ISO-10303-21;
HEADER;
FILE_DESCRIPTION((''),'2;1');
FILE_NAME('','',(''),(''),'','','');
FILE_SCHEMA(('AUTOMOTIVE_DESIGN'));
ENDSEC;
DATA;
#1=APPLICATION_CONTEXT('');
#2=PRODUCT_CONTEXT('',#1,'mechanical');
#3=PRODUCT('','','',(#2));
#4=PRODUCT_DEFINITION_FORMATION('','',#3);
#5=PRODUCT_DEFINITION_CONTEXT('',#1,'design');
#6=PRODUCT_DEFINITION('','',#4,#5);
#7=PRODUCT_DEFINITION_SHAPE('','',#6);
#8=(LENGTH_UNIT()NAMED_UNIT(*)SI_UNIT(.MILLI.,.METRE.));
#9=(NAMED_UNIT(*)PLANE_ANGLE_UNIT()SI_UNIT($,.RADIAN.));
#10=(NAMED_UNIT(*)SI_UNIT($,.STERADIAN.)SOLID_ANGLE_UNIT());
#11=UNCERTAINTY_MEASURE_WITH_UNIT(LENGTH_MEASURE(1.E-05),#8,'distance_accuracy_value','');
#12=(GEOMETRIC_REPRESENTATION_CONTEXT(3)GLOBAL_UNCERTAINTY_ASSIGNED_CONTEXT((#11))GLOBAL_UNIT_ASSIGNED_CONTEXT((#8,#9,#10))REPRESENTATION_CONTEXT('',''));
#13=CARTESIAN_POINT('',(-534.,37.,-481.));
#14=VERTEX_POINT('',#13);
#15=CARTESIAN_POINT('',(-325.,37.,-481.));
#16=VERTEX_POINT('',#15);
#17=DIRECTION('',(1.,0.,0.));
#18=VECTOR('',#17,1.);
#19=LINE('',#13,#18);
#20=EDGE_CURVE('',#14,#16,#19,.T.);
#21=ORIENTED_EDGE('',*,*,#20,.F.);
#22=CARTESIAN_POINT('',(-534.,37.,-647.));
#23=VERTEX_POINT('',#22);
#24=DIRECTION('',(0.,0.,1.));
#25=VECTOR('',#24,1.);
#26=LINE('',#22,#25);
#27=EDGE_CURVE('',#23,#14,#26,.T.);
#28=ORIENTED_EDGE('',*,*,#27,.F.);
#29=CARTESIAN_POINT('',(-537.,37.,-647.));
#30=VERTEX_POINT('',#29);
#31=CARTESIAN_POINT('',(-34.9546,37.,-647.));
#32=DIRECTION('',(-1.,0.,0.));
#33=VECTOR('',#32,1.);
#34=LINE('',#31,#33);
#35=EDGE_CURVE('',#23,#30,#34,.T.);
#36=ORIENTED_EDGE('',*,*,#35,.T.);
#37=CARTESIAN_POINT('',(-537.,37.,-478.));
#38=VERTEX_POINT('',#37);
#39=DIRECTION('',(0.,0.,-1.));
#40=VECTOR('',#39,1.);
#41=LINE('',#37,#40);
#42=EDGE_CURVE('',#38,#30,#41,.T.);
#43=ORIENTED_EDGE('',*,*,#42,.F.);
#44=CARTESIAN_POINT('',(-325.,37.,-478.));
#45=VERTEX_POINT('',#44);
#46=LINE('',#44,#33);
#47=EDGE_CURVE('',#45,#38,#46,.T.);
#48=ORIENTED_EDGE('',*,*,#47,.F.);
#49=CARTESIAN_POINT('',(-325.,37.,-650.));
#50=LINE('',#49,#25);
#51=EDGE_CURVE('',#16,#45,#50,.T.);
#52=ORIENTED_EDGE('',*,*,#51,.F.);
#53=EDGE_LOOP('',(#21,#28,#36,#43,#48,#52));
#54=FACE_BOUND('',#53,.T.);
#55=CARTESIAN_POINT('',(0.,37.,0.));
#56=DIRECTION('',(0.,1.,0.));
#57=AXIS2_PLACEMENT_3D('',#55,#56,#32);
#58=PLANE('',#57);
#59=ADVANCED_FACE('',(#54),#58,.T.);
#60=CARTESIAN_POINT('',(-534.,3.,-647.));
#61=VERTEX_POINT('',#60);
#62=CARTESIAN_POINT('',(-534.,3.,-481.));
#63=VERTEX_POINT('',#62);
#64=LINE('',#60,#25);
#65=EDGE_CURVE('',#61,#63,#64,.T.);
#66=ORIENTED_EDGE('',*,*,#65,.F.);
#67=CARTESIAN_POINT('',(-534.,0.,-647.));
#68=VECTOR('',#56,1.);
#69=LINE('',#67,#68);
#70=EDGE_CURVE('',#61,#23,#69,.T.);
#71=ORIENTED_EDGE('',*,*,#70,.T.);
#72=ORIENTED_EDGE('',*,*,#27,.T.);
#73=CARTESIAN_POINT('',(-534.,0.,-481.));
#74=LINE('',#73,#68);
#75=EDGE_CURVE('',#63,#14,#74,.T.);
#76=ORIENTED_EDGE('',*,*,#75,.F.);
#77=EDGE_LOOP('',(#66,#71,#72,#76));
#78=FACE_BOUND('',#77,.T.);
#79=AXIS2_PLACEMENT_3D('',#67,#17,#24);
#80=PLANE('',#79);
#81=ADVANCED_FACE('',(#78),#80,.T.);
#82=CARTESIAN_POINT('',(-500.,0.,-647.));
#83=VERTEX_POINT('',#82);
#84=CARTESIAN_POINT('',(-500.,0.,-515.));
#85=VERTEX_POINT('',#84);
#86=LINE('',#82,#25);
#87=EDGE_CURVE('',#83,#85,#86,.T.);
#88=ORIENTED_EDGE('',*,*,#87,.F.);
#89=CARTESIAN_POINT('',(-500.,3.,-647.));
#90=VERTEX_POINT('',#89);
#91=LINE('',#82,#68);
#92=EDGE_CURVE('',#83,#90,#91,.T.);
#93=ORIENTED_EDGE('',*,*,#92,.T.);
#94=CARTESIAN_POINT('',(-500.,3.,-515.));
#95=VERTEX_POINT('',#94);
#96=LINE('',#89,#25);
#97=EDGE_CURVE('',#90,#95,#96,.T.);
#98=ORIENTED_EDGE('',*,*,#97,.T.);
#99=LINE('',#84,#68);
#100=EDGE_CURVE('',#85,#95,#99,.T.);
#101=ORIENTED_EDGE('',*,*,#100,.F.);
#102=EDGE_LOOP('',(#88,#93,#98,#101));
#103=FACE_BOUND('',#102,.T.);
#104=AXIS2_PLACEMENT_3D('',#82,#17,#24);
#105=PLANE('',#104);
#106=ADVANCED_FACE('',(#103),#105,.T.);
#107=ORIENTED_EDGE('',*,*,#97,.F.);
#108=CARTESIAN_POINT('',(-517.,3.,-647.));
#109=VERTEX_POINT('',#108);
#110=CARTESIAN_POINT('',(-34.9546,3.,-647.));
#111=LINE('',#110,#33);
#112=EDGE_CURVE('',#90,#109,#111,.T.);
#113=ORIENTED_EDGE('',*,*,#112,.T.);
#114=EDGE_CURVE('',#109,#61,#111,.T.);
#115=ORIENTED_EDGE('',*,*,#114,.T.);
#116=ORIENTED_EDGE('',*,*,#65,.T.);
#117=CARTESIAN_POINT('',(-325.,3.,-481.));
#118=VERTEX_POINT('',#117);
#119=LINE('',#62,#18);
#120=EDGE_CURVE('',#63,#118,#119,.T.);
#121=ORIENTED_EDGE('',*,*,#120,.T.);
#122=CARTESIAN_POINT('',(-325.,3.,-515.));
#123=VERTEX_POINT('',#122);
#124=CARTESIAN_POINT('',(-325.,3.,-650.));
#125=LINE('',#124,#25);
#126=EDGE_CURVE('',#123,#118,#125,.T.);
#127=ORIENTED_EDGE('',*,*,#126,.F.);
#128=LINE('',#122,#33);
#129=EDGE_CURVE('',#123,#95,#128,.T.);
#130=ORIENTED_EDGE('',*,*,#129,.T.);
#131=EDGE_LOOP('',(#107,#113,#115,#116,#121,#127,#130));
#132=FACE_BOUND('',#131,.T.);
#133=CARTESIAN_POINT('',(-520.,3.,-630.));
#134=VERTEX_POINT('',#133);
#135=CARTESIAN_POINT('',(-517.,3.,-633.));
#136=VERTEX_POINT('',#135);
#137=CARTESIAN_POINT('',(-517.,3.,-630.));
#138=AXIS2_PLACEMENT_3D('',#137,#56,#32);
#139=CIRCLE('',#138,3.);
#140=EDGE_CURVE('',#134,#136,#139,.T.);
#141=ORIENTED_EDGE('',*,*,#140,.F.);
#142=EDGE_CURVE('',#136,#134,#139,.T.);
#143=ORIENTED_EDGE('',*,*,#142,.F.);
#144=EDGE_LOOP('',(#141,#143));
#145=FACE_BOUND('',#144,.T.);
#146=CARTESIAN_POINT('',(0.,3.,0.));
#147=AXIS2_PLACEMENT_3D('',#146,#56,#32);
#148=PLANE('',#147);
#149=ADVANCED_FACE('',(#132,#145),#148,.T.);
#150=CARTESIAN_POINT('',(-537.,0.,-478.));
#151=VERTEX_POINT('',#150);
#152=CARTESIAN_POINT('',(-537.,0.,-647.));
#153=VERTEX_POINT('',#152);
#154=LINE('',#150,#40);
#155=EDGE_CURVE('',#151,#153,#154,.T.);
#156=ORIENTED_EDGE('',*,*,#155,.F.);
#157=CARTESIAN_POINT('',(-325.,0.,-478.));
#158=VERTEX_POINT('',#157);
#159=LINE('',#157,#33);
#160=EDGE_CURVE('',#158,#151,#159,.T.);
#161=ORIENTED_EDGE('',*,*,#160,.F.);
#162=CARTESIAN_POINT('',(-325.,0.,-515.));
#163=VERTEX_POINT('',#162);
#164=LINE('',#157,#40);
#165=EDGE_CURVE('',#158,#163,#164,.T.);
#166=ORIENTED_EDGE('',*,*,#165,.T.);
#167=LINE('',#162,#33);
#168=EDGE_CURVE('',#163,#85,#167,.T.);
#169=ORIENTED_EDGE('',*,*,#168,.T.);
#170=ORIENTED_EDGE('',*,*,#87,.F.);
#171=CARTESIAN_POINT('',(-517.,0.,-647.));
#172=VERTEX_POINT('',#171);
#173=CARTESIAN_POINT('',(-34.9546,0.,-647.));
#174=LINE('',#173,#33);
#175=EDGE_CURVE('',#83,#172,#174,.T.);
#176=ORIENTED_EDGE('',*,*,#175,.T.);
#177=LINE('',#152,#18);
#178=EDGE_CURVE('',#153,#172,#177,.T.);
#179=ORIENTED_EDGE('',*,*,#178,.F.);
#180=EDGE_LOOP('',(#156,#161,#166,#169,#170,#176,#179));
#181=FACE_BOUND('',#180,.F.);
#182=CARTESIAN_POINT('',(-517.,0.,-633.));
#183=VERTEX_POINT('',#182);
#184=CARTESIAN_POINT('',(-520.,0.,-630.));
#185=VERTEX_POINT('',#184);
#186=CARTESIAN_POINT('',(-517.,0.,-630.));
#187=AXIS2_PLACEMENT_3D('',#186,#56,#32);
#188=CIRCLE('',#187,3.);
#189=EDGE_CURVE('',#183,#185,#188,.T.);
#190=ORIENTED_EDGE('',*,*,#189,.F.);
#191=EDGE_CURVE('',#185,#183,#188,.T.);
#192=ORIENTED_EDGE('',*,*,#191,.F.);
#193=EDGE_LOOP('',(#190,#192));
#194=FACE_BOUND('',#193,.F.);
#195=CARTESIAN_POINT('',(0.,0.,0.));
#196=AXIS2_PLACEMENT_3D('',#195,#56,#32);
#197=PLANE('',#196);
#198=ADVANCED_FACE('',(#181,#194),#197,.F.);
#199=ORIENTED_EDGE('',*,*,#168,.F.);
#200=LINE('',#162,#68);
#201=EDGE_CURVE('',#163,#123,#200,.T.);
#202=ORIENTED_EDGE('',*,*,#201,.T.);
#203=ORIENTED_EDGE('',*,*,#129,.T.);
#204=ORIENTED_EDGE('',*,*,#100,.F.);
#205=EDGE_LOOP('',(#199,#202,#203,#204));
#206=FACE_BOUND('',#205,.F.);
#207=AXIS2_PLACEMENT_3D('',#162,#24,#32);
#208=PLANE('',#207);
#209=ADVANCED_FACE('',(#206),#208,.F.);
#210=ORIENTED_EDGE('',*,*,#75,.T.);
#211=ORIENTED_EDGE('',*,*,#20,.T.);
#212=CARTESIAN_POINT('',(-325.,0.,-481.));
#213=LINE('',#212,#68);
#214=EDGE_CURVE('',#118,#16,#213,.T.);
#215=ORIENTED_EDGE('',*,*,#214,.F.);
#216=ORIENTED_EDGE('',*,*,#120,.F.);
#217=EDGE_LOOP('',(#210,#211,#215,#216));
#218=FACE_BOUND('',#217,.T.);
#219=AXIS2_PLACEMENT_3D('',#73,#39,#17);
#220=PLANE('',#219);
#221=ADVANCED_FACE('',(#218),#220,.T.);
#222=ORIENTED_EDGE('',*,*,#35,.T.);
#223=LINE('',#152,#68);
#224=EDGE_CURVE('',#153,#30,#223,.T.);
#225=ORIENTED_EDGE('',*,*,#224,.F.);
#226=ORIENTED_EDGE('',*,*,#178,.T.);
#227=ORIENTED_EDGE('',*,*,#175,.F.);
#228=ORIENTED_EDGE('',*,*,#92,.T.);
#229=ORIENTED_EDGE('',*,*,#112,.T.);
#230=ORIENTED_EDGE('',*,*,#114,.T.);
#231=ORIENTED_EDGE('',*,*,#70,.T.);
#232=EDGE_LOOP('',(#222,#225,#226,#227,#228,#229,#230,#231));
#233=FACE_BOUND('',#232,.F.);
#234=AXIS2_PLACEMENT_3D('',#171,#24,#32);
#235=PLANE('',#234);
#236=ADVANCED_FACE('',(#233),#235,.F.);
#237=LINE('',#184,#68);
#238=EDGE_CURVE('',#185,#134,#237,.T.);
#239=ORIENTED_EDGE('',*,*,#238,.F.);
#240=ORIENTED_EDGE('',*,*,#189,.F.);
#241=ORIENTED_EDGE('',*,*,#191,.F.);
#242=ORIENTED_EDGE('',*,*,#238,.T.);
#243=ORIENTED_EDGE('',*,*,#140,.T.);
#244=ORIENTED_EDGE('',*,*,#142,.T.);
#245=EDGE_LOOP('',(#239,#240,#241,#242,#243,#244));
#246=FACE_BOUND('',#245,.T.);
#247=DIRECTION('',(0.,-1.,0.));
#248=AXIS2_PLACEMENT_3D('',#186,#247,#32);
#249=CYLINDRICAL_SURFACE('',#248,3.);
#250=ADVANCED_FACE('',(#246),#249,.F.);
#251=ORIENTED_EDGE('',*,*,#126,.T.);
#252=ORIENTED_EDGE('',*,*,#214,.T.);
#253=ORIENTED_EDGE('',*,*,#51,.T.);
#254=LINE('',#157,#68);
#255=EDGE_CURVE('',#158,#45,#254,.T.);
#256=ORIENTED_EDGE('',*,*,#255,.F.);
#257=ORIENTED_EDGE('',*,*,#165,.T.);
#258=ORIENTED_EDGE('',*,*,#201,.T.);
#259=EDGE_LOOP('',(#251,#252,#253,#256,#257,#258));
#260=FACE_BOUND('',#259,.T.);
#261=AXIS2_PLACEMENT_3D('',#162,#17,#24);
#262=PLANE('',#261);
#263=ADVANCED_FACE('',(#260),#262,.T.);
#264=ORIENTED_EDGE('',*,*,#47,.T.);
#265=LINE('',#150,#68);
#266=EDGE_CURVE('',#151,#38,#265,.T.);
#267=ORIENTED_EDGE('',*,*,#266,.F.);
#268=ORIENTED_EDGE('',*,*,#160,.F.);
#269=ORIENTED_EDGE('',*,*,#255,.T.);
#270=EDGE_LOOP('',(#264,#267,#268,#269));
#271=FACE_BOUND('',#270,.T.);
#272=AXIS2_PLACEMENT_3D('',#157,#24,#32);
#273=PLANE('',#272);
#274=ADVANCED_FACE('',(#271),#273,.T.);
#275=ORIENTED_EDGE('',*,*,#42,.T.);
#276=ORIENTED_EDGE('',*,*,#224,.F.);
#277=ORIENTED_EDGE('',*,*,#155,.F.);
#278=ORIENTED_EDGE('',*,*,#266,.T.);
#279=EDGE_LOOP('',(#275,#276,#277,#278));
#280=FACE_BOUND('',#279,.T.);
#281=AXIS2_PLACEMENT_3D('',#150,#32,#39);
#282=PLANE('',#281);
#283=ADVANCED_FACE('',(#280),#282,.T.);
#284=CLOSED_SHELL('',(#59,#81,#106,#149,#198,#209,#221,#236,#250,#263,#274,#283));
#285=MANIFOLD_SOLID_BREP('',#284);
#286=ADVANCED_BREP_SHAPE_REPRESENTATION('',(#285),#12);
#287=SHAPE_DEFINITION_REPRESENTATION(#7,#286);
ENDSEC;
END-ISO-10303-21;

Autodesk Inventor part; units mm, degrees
ref_plane "YZ Plane" through (0, 0, 0) normal (1, 0, 0) x (0, 1, 0)
ref_plane "XZ Plane" through (0, 0, 0) normal (0, 1, 0) x (-1, 0, 0)
ref_plane "XY Plane" through (0, 0, 0) normal (0, 0, 1) x (1, 0, 0)
sketch "Sketch1" plane through (0, 0, 0) normal (0, 1, 0) x (-1, 0, 0)
  line L0 (0, 0) -> (0, -650)
  line L1 (0, -650) -> (650, -650)
  line L2 (650, -650) -> (650, 0)
  line L3 (650, 0) -> (0, 0)
  line L4 (0, 0) -> (3, 0)
  line L5 (3, -3) -> (3, -647)
  line L6 (3, -650) -> (0, -650)
  line L7 (0, -650) -> (0, -647)
  line L8 (650, -647) -> (650, -650)
  line L9 (650, -650) -> (647, -650)
  line L10 (647, -650) -> (647, 0)
  line L11 (647, 0) -> (650, 0)
  line L12 (650, 0) -> (650, -3)
  line L13 (0, -3) -> (0, 0)
  line L14 (0, 0) -> (0, -37)
  line L15 (650, -37) -> (650, 0)
  line L16 (650, 0) -> (613, 0)
  line L17 (613, 0) -> (613, -650)
  line L18 (613, -650) -> (650, -650)
  line L19 (650, -650) -> (650, -613)
  line L20 (0, -613) -> (0, -650)
  line L21 (0, -650) -> (37, -650)
  line L22 (37, 0) -> (0, 0)
  line L23 (3, -147.3087) -> (3, -94.9828)
  line L24 (147.3087, -3) -> (94.9828, -3)
  circle A0 centre (16.1109, -108.0348) radius 3
  line L25 (0, -650) -> (3, -650)
  line L26 (0, -647) -> (0, -650)
  line L27 (0, -650) -> (0, -613)
  line L28 (37, -650) -> (0, -650)
  line L29 (3, -502.6913) -> (3, -555.0172)
  line L30 (147.3087, -647) -> (94.9828, -647)
  circle A1 centre (16.1109, -541.9652) radius 3
  line L31 (37, -650) -> (37, -37)
  line L32 (37, -3) -> (37, 0)
  line L33 (650, -3) -> (34.9546, -3)
  line L34 (34.9546, -647) -> (650, -647)
  line L35 (37, -37) -> (0, 0)
  line L36 (37, -613) -> (0, -650)
  line L37 (0, -650) -> (3, -647)
  line L38 (3, -647) -> (3, -3)
  line L39 (3, -3) -> (0, 0)
  line L40 (3, -325) -> (3, -458)
  line L41 (3, -458) -> (20, -458)
  line L42 (3, -325) -> (3, -192)
  line L43 (3, -192) -> (20, -192)
  circle A2 centre (20, -192) radius 3
  circle A3 centre (20, -458) radius 3
  line L44 (325, -650) -> (192, -650)
  circle A4 centre (192, -630) radius 3
  line L45 (3, -458) -> (3, -475)
  line L46 (3, -475) -> (647, -475)
  line L47 (3, -475) -> (3, -478)
  line L48 (3, -478) -> (647, -478)
  line L49 (175, -630) -> (175, -481)
  line L50 (175, -630) -> (175, -647)
  line L51 (209, -630) -> (209, -647)
  line L52 (209, -647) -> (175, -647)
  line L53 (175, -647) -> (172, -647)
  line L54 (172, -647) -> (172, -478)
  line L55 (325, -650) -> (325, -478)
  line L56 (325, -478) -> (172, -478)
  line L57 (325, -481) -> (175, -481)
  line L58 (325, -515) -> (209, -515)
  line L59 (209, -630) -> (209, -515)
  line L60 (650, -650) -> (517, -650)
  line L61 (517, -650) -> (517, -647)
  line L62 (517, -647) -> (517, -630)
  line L63 (517, -647) -> (500, -647)
  line L64 (517, -647) -> (534, -647)
  circle A5 centre (517, -630) radius 3
  line L65 (534, -647) -> (534, -481)
  line L66 (325, -478) -> (325, -515)
  line L67 (325, -515) -> (500, -515)
  line L68 (534, -481) -> (325, -481)
  line L69 (325, -481) -> (325, -478)
  line L70 (500, -647) -> (500, -515)
  line L71 (534, -478) -> (537, -478)
  line L72 (537, -478) -> (537, -647)
  line L73 (537, -647) -> (534, -647)
  point P0 (37, -647)
  dimension "d0" = 650
  dimension "d1" = 650
  dimension "d2" = 650
  dimension "d3" = 3
  dimension "d4" = 650
  dimension "d5" = 3
  dimension "d6" = 3
  dimension "d7" = 650
  dimension "d8" = 3
  dimension "d9" = 650
  dimension "d10" = 37
  dimension "d12" = 37
  dimension "d13" = 650
  dimension "d14" = 37
  dimension "d15" = 650
  dimension "d16" = 37
  dimension "d28" = 6
  dimension "d33" = 133
  dimension "d34" = 17
  dimension "d35" = 133
  dimension "d36" = 17
  dimension "d37" = 6
  dimension "d38" = 6
  dimension "d41" = 133
  dimension "d43" = 6
  dimension "d44" = 17
  dimension "d45" = 3
  dimension "d47" = 17
  dimension "d48" = 3
  dimension "d55" = 133
  dimension "d56" = 17
  dimension "d57" = 17
  dimension "d58" = 17
  dimension "d59" = 6
  dimension "d60" = 37
  dimension "d61" = 3
  dimension "d62" = 3
extrude "Extrusion6" add sketch "Sketch1" along normal blind 3 contours L68 L65 L34 L70 L67 L55
extrude "Extrusion7" add sketch "Sketch1" along normal blind 37 contours L48 L72 L34 L65 L68 L55
properties part number "body_inner_L_support(2)"
